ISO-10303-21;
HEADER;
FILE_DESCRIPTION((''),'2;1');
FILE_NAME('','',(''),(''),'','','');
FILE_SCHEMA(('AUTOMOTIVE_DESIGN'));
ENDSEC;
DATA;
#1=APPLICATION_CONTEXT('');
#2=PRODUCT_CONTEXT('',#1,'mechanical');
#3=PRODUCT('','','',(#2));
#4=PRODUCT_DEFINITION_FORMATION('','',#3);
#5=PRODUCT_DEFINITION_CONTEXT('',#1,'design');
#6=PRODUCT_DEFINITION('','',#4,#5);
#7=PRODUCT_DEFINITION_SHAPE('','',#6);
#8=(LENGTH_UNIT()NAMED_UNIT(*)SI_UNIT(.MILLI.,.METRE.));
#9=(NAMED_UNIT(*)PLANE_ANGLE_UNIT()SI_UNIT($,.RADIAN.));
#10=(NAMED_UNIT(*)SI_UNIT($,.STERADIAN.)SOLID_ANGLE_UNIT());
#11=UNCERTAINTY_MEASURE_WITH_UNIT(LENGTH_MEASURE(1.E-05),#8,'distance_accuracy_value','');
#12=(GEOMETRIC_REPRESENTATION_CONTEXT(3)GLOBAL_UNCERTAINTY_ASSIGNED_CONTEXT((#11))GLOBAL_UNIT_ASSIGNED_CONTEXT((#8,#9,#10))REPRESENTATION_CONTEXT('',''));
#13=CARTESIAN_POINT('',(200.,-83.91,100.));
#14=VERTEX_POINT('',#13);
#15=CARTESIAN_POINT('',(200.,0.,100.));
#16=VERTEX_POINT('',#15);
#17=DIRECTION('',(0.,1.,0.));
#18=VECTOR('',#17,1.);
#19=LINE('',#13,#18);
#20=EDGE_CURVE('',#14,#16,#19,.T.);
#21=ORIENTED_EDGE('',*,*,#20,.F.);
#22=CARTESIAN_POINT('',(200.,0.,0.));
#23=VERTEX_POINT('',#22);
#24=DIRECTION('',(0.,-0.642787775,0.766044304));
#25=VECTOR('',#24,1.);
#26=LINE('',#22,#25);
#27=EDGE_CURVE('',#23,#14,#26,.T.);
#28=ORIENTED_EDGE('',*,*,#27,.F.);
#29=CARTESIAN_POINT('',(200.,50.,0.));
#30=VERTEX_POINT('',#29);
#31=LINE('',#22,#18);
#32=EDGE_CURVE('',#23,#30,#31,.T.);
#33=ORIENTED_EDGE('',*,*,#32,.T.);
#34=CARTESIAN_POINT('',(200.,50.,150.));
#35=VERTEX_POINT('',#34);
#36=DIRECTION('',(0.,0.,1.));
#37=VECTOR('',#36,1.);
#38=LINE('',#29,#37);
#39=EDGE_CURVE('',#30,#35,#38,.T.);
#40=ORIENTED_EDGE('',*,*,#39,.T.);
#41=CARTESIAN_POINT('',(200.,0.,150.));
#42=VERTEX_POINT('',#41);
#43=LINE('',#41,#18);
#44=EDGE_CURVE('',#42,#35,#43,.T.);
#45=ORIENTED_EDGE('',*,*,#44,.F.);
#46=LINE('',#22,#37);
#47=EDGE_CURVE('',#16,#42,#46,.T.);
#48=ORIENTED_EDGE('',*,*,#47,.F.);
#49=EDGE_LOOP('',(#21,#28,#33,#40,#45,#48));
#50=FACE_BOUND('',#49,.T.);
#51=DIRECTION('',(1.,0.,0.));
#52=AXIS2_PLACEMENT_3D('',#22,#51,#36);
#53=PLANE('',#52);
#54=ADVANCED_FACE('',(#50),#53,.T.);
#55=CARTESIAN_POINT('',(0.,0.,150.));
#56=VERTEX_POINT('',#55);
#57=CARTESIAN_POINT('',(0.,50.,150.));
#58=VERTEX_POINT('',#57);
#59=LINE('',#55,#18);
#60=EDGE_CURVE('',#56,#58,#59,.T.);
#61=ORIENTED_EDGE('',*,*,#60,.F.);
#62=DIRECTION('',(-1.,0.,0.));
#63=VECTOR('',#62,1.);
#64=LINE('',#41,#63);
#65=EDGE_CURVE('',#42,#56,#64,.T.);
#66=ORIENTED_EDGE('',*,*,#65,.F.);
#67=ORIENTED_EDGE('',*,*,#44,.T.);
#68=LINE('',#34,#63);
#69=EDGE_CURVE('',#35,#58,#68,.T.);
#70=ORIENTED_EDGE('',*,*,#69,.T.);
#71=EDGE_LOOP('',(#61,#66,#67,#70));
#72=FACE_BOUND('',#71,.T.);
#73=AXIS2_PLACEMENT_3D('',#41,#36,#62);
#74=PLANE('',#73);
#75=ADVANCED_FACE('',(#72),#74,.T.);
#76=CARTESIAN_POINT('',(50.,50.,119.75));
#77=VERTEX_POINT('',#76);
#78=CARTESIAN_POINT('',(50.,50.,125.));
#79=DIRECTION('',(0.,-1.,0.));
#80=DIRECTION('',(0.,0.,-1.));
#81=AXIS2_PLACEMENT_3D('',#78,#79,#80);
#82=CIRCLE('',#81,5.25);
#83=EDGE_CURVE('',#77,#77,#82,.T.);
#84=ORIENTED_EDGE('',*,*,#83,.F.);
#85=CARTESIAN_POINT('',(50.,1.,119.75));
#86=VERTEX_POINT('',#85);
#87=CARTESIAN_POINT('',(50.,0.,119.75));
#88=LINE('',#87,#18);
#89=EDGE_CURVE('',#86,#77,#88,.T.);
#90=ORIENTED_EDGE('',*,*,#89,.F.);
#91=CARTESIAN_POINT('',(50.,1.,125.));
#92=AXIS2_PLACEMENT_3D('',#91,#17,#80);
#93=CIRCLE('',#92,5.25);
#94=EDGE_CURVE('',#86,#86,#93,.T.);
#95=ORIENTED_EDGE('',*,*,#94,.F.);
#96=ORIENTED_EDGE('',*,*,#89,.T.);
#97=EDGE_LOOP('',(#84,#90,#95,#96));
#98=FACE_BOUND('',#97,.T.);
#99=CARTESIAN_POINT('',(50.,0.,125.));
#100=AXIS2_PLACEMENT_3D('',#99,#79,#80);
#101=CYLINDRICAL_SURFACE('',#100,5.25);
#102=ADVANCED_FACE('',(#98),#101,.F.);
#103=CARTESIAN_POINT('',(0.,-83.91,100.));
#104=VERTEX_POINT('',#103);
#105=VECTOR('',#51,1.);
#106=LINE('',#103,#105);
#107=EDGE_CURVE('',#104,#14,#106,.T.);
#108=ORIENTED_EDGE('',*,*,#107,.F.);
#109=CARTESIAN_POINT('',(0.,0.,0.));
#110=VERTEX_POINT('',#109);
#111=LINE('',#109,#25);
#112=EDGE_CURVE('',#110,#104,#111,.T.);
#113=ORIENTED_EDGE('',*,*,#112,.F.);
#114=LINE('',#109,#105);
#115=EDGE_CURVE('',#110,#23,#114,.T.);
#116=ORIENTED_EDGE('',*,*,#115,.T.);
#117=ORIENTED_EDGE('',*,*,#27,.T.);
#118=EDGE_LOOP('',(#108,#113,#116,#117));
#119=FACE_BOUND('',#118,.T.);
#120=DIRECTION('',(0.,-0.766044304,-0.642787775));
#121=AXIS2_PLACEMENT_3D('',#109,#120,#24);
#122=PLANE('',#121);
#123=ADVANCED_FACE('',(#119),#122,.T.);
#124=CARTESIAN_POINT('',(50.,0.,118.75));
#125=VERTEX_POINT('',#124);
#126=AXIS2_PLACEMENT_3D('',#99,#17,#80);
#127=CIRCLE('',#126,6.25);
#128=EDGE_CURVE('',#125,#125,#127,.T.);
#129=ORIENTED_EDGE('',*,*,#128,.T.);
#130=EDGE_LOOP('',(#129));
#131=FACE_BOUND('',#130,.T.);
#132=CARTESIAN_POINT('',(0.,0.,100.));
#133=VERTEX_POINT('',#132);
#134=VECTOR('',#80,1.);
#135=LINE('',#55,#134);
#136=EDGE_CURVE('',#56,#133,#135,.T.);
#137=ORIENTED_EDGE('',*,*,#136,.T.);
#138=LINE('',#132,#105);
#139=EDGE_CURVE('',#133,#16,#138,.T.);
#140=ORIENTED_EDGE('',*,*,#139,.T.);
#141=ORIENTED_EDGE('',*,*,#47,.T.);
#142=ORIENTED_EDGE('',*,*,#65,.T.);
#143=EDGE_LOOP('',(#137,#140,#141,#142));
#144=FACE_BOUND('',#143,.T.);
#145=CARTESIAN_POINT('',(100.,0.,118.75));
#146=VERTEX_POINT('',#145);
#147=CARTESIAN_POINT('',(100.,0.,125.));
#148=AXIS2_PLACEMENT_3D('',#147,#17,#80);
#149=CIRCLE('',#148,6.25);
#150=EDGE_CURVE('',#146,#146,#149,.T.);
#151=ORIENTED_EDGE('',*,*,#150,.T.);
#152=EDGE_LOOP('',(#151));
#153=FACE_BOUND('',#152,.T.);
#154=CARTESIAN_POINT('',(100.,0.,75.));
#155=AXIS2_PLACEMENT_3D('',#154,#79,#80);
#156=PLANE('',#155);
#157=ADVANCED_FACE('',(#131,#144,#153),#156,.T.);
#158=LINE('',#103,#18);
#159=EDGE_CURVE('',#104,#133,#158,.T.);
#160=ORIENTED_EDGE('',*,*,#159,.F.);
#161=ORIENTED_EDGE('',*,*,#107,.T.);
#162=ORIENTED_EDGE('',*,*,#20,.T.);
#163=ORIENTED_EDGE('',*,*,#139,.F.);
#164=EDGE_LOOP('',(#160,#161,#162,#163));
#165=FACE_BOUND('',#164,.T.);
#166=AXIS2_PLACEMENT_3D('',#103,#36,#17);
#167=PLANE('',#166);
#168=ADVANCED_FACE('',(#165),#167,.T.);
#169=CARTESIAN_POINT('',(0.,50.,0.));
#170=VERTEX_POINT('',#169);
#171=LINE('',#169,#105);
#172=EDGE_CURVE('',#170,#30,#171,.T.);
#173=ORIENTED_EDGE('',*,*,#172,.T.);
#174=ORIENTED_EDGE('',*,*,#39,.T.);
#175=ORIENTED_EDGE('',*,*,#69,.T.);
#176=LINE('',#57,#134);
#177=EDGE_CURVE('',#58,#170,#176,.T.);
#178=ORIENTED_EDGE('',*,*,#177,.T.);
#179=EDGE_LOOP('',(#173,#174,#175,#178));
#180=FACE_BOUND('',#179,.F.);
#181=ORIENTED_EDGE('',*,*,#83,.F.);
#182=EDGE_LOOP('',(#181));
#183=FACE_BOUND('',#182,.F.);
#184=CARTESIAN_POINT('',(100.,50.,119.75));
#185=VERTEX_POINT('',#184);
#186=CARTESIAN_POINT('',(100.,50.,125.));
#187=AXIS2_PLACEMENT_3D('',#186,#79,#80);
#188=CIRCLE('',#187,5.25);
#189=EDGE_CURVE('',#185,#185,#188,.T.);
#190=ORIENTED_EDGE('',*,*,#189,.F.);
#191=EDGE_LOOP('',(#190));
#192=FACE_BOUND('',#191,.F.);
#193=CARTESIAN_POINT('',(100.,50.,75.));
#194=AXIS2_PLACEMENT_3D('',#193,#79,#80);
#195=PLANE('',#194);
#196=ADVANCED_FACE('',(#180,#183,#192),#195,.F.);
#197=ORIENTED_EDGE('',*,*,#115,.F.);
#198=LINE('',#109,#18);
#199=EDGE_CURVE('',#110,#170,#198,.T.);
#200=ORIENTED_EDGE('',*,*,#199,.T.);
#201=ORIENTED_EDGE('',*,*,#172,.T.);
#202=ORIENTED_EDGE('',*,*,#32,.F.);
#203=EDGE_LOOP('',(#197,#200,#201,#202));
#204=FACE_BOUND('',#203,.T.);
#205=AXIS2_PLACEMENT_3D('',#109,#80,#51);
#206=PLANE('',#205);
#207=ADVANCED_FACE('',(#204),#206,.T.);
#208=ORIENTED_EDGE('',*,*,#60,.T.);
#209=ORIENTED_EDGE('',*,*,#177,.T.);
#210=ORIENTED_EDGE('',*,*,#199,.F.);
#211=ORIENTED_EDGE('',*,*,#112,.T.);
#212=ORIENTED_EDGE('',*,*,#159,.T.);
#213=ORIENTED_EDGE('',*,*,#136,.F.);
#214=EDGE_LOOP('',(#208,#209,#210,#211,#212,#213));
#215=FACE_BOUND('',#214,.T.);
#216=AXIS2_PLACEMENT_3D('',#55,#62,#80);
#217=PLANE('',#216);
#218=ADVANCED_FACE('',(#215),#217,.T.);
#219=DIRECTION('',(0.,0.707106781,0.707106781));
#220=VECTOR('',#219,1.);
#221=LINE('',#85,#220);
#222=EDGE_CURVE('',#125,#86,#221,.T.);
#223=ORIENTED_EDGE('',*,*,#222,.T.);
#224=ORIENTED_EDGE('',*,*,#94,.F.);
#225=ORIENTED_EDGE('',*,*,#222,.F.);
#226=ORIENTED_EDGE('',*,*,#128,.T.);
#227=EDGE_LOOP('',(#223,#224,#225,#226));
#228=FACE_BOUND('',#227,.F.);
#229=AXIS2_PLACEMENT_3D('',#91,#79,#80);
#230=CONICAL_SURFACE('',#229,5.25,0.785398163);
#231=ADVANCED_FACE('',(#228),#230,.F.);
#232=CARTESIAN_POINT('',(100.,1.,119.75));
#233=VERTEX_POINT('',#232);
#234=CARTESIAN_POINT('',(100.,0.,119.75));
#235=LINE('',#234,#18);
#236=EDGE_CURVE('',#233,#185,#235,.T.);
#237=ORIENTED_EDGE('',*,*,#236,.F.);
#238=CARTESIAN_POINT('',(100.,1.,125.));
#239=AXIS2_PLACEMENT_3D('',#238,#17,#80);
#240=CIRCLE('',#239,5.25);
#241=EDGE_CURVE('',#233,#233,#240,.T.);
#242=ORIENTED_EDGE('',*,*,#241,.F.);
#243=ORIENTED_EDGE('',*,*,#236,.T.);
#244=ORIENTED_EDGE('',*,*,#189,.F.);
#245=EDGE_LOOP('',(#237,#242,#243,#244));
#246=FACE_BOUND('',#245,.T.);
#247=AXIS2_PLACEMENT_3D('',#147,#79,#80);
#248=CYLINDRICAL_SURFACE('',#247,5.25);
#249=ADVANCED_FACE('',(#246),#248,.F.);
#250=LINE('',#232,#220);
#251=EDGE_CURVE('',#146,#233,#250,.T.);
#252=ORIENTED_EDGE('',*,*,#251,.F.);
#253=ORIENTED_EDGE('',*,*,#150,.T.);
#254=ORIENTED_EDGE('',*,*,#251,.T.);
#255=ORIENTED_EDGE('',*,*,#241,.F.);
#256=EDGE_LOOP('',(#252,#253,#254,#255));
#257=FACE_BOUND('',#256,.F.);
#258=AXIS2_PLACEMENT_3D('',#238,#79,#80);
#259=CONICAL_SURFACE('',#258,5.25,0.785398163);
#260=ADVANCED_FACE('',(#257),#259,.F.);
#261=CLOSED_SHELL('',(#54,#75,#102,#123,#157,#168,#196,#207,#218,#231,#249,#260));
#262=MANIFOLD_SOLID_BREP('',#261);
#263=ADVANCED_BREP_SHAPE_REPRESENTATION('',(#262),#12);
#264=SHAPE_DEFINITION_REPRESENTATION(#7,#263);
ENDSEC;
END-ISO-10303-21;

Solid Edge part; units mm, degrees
sketch "Sketch1" plane through (0, 0, 0) normal (0, -1, 0) x (1, 0, 0)
  line L0 (0, 0) -> (200, 0)
  line L1 (200, 0) -> (200, 150)
  line L2 (200, 150) -> (0, 150)
  line L3 (0, 150) -> (0, 0)
extrude "Protrusion1" add sketch "Sketch1" against normal blind 50
sketch "Sketch2" plane through (0, 25, 75) normal (-1, 0, 0) x (0, 0, -1)
  line L0 (75, 25) -> (-25, 108.91)
  line L1 (-25, 108.91) -> (-25, 25)
  line L2 (-25, 25) -> (75, 25)
extrude "Extrusionsausprägung_2" add sketch "Sketch2" against normal blind 200
hole "Bohrung_1" at (50, 0, 125) direction (0, 1, 0) diameter 10.5 end up to next start chamfer 1 start chamfer angle 45
hole "Hole1" at (100, 0, 125) direction (0, 1, 0) diameter 10.5 end up to next start chamfer 1 start chamfer angle 45
